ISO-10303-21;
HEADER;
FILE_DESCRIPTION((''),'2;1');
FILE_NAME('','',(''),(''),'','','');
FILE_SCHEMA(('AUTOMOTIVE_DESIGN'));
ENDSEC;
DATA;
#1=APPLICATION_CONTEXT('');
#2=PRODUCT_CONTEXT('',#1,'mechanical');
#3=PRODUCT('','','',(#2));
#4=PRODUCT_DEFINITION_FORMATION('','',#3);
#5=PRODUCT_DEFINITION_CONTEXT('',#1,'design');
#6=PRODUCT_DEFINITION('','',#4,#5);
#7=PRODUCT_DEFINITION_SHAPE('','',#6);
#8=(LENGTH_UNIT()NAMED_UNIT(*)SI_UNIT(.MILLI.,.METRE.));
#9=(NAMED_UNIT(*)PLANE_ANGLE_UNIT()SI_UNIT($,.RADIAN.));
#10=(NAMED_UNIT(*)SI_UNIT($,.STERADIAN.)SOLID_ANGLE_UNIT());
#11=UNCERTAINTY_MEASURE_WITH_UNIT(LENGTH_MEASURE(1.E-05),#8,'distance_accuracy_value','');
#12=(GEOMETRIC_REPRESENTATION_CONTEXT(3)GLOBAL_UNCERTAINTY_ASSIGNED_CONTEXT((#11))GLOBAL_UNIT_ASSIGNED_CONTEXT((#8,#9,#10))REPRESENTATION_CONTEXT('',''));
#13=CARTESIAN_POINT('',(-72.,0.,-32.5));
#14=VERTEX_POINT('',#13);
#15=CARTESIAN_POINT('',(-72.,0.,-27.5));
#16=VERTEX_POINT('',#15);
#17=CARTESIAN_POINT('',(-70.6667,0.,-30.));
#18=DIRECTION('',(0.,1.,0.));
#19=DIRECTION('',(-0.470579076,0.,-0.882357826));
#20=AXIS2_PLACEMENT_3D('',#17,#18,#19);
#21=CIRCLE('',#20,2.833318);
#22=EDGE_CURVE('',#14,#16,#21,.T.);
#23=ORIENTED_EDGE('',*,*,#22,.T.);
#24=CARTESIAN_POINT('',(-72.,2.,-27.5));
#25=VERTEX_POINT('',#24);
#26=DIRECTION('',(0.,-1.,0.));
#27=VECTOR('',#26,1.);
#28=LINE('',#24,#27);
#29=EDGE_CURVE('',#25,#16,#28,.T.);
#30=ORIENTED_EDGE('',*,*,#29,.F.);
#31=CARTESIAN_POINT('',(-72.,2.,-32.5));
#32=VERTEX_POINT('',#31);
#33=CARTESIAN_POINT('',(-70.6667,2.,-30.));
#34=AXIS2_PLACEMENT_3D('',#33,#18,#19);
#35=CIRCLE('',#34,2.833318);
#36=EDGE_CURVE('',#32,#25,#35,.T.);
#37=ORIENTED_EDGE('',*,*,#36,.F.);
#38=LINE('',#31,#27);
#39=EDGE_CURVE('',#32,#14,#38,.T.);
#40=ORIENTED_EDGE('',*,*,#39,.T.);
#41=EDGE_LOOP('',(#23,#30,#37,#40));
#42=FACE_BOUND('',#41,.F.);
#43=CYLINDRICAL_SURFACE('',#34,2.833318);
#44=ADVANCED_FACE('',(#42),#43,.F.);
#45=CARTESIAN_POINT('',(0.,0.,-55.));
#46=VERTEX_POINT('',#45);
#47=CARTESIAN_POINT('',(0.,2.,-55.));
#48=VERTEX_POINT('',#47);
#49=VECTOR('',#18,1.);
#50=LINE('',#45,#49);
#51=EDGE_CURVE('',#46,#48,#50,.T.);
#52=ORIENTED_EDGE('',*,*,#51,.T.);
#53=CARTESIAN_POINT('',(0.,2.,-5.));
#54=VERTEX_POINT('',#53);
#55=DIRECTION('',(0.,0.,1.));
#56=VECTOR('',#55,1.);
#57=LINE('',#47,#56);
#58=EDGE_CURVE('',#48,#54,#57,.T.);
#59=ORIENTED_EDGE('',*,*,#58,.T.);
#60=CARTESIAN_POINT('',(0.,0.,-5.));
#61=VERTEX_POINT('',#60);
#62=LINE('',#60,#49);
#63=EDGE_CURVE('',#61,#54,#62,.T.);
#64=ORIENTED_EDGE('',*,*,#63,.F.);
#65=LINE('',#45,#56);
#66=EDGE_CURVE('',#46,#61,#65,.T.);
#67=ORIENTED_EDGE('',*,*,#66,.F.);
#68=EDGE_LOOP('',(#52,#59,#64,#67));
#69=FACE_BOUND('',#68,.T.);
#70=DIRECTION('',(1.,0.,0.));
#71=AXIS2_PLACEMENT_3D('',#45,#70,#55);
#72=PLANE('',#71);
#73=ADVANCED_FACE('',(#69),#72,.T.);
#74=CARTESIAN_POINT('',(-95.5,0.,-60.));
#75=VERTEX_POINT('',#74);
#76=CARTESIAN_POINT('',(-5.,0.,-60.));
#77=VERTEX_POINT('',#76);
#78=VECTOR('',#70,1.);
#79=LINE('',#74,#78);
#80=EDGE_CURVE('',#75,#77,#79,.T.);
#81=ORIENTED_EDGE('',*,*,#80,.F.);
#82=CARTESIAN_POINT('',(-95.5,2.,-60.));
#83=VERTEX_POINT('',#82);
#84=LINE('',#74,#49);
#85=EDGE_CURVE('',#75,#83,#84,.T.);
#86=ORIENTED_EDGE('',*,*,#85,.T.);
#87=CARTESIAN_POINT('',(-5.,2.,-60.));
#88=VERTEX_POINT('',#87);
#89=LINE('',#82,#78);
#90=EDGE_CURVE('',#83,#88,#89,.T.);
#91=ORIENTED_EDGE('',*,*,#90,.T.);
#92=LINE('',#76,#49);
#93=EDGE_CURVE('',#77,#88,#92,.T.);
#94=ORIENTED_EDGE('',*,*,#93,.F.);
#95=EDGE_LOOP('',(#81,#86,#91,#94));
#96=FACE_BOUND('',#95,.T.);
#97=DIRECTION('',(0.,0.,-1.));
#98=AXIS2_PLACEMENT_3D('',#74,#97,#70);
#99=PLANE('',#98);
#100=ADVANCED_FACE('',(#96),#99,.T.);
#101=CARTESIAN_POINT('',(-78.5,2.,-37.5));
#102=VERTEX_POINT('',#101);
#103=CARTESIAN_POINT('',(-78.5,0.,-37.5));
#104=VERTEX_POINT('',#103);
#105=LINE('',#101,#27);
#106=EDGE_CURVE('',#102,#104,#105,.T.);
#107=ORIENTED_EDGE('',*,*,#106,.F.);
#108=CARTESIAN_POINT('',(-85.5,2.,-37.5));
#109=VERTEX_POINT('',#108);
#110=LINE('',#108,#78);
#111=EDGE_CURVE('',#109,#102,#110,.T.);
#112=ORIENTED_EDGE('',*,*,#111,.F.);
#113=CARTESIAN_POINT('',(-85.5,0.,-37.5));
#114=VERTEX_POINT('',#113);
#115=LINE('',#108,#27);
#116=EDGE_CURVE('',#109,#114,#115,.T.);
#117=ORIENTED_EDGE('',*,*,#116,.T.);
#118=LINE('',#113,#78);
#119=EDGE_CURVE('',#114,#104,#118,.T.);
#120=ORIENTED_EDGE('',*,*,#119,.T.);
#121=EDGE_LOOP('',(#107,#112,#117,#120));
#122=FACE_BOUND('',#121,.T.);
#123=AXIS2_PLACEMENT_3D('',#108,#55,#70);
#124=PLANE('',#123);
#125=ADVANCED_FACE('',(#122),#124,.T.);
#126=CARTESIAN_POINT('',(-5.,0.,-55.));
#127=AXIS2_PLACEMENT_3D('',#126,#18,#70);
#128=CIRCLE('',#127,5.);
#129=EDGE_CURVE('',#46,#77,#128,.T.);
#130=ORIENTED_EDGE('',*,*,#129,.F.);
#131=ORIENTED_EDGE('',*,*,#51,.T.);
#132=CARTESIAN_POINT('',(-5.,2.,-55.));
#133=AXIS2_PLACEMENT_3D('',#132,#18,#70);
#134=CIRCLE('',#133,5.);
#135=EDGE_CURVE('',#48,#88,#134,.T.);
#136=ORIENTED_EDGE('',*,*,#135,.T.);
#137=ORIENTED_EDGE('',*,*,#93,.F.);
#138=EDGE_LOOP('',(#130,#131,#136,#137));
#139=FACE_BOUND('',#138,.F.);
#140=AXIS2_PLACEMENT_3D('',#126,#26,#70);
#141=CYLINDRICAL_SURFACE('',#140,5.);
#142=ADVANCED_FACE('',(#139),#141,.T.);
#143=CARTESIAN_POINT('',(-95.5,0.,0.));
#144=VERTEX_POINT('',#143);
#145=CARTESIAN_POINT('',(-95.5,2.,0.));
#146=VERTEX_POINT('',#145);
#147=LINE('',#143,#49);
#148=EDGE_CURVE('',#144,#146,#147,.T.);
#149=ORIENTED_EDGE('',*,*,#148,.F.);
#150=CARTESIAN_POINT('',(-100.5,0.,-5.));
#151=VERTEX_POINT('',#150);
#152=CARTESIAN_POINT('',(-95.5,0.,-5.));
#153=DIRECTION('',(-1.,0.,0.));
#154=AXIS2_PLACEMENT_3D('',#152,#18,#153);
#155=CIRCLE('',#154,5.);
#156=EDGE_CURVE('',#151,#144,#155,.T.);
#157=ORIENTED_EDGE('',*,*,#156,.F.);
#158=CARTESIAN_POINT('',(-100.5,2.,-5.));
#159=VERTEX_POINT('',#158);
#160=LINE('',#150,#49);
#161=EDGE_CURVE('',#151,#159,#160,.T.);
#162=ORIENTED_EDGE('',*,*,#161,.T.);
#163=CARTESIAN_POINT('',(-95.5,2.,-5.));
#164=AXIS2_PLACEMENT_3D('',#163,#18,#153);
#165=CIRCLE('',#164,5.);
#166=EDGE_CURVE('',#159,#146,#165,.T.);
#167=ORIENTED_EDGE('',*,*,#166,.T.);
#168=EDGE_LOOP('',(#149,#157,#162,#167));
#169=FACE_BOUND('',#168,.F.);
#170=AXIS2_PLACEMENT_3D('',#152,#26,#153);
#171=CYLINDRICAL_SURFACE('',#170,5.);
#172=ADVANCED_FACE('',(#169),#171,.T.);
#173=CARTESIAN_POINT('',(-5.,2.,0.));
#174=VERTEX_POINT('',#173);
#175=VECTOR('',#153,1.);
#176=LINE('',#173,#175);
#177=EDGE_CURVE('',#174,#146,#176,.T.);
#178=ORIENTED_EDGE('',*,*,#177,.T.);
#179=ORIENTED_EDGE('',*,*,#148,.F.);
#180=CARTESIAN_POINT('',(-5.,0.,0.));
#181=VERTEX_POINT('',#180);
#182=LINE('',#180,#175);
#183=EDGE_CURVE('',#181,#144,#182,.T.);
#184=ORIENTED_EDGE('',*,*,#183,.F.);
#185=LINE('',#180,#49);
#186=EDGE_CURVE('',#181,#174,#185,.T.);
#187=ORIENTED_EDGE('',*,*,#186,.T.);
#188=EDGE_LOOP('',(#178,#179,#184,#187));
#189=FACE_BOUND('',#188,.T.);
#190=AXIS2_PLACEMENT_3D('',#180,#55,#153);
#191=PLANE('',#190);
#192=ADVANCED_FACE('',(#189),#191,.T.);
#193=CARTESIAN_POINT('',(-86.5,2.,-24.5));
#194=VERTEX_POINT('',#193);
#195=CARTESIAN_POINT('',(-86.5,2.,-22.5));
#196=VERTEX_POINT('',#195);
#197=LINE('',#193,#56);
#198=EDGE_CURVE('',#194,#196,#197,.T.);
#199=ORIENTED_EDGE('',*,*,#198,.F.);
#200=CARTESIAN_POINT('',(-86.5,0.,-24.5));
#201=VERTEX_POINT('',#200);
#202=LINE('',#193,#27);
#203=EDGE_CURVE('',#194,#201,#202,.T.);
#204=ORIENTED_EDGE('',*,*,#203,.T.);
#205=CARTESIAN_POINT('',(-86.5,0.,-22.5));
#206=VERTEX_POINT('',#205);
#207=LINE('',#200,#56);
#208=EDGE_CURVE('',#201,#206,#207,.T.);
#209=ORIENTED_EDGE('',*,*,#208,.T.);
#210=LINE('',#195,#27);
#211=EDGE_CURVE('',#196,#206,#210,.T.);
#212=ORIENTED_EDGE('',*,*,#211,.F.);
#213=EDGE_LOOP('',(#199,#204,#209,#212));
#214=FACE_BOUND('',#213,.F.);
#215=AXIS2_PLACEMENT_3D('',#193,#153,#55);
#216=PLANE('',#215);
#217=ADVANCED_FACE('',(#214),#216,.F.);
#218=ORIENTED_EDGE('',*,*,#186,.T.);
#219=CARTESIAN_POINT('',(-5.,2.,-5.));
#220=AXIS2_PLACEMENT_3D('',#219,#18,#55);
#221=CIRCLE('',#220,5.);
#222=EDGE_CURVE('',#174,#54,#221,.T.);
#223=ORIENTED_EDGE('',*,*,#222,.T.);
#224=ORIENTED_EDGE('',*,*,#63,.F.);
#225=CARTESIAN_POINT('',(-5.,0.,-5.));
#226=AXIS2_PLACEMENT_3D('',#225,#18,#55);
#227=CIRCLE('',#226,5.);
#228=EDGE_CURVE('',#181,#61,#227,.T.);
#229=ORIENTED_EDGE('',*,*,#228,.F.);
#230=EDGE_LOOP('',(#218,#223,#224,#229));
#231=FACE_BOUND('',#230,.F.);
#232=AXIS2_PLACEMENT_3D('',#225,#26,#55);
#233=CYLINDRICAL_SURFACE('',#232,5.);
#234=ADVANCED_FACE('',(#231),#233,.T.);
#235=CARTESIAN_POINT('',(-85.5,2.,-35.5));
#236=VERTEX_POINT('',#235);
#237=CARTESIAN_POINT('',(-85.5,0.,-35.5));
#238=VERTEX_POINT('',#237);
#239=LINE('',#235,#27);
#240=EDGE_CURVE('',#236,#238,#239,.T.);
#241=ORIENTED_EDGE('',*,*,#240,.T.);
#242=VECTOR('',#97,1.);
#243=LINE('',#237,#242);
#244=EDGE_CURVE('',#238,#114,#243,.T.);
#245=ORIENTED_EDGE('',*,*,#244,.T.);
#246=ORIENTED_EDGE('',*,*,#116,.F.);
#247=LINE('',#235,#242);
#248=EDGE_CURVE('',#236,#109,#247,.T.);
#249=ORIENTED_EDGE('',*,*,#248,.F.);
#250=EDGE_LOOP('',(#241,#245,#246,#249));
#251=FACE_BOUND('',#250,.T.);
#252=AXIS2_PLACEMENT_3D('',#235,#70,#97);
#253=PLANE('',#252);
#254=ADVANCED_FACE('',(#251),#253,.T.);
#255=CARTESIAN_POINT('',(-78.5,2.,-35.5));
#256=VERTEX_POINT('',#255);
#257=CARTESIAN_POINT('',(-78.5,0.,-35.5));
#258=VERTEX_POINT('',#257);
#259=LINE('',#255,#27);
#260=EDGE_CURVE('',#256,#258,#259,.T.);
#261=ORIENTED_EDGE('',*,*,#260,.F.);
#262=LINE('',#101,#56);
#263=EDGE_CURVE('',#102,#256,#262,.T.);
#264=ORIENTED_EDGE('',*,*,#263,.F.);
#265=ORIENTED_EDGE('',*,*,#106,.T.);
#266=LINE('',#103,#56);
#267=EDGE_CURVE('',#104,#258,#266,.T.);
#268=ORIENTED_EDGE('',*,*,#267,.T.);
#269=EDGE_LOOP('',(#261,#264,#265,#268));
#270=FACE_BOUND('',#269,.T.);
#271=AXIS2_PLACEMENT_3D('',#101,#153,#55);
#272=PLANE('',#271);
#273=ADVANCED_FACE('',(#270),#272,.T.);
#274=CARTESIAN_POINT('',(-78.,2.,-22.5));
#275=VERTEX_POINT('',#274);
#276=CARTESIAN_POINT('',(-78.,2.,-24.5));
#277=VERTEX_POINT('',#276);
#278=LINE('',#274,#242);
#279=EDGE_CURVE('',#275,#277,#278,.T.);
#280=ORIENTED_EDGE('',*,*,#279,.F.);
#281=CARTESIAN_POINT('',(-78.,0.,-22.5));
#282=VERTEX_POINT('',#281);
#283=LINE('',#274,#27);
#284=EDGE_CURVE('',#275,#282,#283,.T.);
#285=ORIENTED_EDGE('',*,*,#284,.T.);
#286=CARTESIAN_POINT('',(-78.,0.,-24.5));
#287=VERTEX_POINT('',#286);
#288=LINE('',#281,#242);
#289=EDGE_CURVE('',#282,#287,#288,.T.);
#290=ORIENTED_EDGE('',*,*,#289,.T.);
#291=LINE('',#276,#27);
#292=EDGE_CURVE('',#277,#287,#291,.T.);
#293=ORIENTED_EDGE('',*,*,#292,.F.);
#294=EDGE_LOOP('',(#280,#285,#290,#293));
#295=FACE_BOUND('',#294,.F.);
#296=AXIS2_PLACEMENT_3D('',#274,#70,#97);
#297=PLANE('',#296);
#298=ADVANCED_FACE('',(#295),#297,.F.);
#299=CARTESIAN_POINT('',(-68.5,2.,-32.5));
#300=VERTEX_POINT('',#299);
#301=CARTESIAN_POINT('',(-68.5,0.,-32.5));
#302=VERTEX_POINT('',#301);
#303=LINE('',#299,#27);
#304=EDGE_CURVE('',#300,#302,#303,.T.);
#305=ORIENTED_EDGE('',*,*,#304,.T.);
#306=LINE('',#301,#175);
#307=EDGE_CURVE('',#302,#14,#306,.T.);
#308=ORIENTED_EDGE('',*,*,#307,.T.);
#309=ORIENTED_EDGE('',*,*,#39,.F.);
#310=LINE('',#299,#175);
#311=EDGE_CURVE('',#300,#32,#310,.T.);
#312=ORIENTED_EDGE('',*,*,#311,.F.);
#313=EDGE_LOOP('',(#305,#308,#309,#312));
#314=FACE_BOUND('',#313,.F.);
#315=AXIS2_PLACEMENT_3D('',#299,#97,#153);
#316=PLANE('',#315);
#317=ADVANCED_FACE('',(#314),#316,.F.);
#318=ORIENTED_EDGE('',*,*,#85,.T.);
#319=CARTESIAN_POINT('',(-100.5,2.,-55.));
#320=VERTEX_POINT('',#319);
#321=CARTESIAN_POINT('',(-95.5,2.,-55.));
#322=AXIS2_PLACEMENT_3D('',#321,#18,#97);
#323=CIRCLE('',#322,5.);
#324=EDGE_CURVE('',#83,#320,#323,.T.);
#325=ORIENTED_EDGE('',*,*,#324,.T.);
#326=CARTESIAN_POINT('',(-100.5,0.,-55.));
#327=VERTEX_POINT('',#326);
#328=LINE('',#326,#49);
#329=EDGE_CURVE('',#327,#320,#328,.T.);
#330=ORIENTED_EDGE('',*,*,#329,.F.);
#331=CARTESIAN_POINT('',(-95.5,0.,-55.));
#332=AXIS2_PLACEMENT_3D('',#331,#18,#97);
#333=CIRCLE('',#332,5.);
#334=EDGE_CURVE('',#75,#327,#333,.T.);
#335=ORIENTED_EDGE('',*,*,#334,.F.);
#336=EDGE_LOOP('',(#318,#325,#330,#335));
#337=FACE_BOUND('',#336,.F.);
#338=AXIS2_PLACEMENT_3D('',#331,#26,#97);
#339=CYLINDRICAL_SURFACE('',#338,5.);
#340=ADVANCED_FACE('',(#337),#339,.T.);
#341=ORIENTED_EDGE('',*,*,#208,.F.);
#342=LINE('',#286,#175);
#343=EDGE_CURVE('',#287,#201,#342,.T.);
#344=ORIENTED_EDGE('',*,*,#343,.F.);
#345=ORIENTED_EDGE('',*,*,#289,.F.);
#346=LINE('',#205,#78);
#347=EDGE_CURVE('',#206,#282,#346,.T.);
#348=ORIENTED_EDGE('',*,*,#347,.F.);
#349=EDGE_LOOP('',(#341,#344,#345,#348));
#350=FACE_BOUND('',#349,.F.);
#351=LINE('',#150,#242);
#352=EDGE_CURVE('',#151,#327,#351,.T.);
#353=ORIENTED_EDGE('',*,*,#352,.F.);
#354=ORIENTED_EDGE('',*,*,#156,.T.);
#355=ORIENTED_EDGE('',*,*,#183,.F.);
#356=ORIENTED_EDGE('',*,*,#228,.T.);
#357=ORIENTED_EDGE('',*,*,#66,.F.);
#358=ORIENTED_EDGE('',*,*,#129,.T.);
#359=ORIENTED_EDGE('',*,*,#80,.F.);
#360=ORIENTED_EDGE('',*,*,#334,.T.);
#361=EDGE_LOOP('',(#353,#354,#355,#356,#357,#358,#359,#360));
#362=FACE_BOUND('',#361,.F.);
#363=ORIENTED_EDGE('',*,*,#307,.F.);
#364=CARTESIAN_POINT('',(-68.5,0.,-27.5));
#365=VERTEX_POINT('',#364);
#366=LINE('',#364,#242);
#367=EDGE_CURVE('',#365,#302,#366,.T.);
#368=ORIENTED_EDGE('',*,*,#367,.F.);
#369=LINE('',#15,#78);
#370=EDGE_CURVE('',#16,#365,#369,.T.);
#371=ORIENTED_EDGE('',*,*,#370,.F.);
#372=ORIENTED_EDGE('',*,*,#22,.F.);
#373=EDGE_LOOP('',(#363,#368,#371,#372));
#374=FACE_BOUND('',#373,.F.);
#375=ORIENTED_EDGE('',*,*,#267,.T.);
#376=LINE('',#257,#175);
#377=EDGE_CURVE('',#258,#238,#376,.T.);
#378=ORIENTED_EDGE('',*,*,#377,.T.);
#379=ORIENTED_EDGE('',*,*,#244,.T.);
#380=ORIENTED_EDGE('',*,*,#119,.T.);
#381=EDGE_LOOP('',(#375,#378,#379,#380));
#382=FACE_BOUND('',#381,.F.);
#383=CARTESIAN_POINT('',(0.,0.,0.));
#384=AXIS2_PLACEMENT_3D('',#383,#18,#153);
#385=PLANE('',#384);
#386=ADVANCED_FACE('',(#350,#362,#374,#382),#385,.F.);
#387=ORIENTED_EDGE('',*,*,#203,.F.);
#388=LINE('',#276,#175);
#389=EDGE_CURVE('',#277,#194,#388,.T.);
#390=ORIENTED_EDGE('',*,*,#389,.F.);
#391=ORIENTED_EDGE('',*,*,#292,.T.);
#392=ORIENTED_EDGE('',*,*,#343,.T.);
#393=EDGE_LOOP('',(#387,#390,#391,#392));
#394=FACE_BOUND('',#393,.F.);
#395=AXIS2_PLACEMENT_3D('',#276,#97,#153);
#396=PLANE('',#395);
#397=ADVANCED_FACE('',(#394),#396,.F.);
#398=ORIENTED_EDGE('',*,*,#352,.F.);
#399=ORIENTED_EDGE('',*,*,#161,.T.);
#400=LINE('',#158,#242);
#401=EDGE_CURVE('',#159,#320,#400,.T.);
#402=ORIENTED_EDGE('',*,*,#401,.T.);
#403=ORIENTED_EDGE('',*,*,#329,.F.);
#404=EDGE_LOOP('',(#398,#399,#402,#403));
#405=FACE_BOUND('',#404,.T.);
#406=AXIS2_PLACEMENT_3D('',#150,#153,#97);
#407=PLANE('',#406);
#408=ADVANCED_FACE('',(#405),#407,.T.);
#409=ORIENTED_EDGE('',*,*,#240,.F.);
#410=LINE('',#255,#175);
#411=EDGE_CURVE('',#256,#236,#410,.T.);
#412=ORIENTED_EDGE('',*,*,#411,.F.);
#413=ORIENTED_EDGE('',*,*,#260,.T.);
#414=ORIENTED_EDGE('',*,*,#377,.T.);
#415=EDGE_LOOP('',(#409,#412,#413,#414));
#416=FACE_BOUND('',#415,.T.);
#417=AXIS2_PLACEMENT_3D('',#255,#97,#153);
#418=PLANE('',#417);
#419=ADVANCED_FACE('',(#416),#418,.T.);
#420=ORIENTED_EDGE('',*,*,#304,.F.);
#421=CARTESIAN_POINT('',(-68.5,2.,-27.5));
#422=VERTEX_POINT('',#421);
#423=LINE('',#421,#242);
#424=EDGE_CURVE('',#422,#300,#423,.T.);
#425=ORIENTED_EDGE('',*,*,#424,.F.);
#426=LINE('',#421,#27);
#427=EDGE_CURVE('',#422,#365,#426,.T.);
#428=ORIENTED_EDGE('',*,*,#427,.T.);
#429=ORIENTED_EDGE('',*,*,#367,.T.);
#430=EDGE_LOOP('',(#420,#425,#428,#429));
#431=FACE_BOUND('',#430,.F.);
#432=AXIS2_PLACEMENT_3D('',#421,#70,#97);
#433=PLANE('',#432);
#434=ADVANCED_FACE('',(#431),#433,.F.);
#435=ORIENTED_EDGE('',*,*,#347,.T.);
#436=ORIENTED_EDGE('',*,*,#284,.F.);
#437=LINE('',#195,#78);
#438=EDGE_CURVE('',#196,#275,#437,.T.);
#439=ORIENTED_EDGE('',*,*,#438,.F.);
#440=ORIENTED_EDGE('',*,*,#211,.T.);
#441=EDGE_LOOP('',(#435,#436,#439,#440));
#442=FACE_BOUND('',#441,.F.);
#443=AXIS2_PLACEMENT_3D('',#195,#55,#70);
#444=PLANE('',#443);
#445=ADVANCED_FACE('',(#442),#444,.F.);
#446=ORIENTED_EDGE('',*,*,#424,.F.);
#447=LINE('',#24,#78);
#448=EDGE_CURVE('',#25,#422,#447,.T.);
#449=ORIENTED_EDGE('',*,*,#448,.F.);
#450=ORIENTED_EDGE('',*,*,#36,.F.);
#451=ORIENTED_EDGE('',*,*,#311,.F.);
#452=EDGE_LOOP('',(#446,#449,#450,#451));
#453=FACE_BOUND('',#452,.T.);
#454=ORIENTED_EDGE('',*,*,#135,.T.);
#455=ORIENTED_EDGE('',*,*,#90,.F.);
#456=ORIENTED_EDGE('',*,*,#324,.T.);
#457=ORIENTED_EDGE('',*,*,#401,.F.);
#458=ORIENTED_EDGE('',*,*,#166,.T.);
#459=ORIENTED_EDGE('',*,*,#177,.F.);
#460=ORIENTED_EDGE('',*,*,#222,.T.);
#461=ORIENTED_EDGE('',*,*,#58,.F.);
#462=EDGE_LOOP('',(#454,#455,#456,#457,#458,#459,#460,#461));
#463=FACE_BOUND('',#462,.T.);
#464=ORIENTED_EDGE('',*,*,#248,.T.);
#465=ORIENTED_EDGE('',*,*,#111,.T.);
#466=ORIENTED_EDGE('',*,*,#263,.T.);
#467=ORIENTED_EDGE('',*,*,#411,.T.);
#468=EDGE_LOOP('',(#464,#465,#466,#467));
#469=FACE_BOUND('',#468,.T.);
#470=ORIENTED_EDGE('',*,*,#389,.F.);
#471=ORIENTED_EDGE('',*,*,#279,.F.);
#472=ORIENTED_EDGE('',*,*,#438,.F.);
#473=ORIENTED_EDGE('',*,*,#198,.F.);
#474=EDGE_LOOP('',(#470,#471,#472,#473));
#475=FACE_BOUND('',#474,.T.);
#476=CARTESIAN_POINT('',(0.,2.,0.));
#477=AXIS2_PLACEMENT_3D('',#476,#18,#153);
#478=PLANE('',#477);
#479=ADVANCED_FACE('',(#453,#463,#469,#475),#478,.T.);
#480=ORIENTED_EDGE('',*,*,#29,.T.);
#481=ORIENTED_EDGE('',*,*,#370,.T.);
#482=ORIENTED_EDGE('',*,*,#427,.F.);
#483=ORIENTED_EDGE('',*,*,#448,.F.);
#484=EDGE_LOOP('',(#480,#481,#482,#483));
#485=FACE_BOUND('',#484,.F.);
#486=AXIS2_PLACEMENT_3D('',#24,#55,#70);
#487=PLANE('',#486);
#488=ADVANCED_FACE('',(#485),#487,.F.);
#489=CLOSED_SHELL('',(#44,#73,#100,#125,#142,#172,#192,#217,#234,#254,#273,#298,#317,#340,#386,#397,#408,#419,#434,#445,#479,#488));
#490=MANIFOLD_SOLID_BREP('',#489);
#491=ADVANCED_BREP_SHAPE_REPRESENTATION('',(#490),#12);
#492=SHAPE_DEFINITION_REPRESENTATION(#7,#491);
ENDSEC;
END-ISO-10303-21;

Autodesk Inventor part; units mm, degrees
ref_plane "YZ Plane" through (0, 0, 0) normal (1, 0, 0) x (0, 1, 0)
ref_plane "XZ Plane" through (0, 0, 0) normal (0, 1, 0) x (-1, 0, 0)
ref_plane "XY Plane" through (0, 0, 0) normal (0, 0, 1) x (1, 0, 0)
sketch "Sketch1" plane through (0, 0, 0) normal (0, 1, 0) x (-1, 0, 0)
  line L0 (5, 0) -> (95.5, 0)
  line L1 (100.5, -5) -> (100.5, -55)
  line L2 (95.5, -60) -> (5, -60)
  line L3 (0, -55) -> (0, -5)
  arc A0 (100.5, -2) -> (98.5, 0) centre (98.5, -2) ccw
  arc A1 (5, 0) -> (0, -5) centre (5, -5) ccw
  arc A2 (95.5, -60) -> (100.5, -55) centre (95.5, -55) ccw
  arc A3 (0, -55) -> (5, -60) centre (5, -55) ccw
  arc A4 (100.5, -5) -> (95.5, 0) centre (95.5, -5) ccw
  point P0 (0, 0)
  point P1 (100.5, -60)
  point P2 (100.5, 0)
  point P3 (0, -60)
  dimension "d0" = 100.5
  dimension "d1" = 60
  dimension "d2" = 2
  dimension "d3" = 5
extrude "Extrusion1" add sketch "Sketch1" along normal blind 2
sketch "Sketch2" plane through (0, 2, 0) normal (0, 1, 0) x (1, 0, 0)
  line L0 (0, 0) -> (-100.5, 0) construction
  line L1 (-100.5, 0) -> (-100.5, 60) construction
  line L2 (-100.5, 60) -> (0, 60) construction
  line L3 (0, 60) -> (0, 0) construction
  line L4 (-100.5, 55) -> (-100.5, 5) construction
  line L5 (-100.5, 30) -> (-97.5, 30) construction
  line L6 (-97.5, 30) -> (-97.5, 41.5) construction
  line L7 (-97.5, 41.5) -> (-60.5, 41.5) construction
  line L8 (-60.5, 41.5) -> (-60.5, 18.5) construction
  line L9 (-60.5, 18.5) -> (-97.5, 18.5) construction
  line L10 (-97.5, 18.5) -> (-97.5, 41.5) construction
  line L11 (-97.5, 18.5) -> (-86.5, 18.5) construction
  line L12 (-86.5, 18.5) -> (-86.5, 22.5) construction
  line L13 (-86.5, 22.5) -> (-97.5, 22.5) construction
  line L14 (-97.5, 22.5) -> (-97.5, 18.5) construction
  line L15 (-86.5, 22.5) -> (-78, 22.5)
  line L16 (-78, 22.5) -> (-78, 24.5)
  line L17 (-78, 24.5) -> (-86.5, 24.5)
  line L18 (-86.5, 24.5) -> (-86.5, 22.5)
  line L19 (-97.5, 41.5) -> (-97.5, 37.5) construction
  line L20 (-97.5, 37.5) -> (-85.5, 37.5) construction
  line L21 (-85.5, 37.5) -> (-78.5, 37.5)
  line L22 (-78.5, 37.5) -> (-78.5, 35.5)
  line L23 (-78.5, 35.5) -> (-85.5, 35.5)
  line L24 (-85.5, 35.5) -> (-85.5, 37.5)
  line L25 (-60.5, 30) -> (-68.5, 30) construction
  line L26 (-68.5, 30) -> (-68.5, 32.5) construction
  line L27 (-68.5, 32.5) -> (-72, 32.5)
  line L28 (-68.5, 27.5) -> (-68.5, 32.5)
  line L29 (-68.5, 32.5) -> (-72, 32.5) construction
  line L30 (-72, 32.5) -> (-72, 27.5) construction
  arc A0 (-72, 32.5) -> (-72, 27.5) centre (-70.6667, 30) ccw
  line L31 (-72, 27.5) -> (-68.5, 27.5)
  dimension "d6" = 100.5
  dimension "d7" = 60
  dimension "d8" = 3
  dimension "d9" = 11.5
  dimension "d10" = 37
  dimension "d11" = 23
  dimension "d12" = 11
  dimension "d13" = 4
  dimension "d14" = 8.5
  dimension "d15" = 2
  dimension "d16" = 4
  dimension "d17" = 12
  dimension "d18" = 7
  dimension "d19" = 2
  dimension "d20" = 8
  dimension "d21" = 2.5
  dimension "d24" = 3.5
extrude "Extrusion2" cut sketch "Sketch2" against normal blind 2
properties part number "top"
